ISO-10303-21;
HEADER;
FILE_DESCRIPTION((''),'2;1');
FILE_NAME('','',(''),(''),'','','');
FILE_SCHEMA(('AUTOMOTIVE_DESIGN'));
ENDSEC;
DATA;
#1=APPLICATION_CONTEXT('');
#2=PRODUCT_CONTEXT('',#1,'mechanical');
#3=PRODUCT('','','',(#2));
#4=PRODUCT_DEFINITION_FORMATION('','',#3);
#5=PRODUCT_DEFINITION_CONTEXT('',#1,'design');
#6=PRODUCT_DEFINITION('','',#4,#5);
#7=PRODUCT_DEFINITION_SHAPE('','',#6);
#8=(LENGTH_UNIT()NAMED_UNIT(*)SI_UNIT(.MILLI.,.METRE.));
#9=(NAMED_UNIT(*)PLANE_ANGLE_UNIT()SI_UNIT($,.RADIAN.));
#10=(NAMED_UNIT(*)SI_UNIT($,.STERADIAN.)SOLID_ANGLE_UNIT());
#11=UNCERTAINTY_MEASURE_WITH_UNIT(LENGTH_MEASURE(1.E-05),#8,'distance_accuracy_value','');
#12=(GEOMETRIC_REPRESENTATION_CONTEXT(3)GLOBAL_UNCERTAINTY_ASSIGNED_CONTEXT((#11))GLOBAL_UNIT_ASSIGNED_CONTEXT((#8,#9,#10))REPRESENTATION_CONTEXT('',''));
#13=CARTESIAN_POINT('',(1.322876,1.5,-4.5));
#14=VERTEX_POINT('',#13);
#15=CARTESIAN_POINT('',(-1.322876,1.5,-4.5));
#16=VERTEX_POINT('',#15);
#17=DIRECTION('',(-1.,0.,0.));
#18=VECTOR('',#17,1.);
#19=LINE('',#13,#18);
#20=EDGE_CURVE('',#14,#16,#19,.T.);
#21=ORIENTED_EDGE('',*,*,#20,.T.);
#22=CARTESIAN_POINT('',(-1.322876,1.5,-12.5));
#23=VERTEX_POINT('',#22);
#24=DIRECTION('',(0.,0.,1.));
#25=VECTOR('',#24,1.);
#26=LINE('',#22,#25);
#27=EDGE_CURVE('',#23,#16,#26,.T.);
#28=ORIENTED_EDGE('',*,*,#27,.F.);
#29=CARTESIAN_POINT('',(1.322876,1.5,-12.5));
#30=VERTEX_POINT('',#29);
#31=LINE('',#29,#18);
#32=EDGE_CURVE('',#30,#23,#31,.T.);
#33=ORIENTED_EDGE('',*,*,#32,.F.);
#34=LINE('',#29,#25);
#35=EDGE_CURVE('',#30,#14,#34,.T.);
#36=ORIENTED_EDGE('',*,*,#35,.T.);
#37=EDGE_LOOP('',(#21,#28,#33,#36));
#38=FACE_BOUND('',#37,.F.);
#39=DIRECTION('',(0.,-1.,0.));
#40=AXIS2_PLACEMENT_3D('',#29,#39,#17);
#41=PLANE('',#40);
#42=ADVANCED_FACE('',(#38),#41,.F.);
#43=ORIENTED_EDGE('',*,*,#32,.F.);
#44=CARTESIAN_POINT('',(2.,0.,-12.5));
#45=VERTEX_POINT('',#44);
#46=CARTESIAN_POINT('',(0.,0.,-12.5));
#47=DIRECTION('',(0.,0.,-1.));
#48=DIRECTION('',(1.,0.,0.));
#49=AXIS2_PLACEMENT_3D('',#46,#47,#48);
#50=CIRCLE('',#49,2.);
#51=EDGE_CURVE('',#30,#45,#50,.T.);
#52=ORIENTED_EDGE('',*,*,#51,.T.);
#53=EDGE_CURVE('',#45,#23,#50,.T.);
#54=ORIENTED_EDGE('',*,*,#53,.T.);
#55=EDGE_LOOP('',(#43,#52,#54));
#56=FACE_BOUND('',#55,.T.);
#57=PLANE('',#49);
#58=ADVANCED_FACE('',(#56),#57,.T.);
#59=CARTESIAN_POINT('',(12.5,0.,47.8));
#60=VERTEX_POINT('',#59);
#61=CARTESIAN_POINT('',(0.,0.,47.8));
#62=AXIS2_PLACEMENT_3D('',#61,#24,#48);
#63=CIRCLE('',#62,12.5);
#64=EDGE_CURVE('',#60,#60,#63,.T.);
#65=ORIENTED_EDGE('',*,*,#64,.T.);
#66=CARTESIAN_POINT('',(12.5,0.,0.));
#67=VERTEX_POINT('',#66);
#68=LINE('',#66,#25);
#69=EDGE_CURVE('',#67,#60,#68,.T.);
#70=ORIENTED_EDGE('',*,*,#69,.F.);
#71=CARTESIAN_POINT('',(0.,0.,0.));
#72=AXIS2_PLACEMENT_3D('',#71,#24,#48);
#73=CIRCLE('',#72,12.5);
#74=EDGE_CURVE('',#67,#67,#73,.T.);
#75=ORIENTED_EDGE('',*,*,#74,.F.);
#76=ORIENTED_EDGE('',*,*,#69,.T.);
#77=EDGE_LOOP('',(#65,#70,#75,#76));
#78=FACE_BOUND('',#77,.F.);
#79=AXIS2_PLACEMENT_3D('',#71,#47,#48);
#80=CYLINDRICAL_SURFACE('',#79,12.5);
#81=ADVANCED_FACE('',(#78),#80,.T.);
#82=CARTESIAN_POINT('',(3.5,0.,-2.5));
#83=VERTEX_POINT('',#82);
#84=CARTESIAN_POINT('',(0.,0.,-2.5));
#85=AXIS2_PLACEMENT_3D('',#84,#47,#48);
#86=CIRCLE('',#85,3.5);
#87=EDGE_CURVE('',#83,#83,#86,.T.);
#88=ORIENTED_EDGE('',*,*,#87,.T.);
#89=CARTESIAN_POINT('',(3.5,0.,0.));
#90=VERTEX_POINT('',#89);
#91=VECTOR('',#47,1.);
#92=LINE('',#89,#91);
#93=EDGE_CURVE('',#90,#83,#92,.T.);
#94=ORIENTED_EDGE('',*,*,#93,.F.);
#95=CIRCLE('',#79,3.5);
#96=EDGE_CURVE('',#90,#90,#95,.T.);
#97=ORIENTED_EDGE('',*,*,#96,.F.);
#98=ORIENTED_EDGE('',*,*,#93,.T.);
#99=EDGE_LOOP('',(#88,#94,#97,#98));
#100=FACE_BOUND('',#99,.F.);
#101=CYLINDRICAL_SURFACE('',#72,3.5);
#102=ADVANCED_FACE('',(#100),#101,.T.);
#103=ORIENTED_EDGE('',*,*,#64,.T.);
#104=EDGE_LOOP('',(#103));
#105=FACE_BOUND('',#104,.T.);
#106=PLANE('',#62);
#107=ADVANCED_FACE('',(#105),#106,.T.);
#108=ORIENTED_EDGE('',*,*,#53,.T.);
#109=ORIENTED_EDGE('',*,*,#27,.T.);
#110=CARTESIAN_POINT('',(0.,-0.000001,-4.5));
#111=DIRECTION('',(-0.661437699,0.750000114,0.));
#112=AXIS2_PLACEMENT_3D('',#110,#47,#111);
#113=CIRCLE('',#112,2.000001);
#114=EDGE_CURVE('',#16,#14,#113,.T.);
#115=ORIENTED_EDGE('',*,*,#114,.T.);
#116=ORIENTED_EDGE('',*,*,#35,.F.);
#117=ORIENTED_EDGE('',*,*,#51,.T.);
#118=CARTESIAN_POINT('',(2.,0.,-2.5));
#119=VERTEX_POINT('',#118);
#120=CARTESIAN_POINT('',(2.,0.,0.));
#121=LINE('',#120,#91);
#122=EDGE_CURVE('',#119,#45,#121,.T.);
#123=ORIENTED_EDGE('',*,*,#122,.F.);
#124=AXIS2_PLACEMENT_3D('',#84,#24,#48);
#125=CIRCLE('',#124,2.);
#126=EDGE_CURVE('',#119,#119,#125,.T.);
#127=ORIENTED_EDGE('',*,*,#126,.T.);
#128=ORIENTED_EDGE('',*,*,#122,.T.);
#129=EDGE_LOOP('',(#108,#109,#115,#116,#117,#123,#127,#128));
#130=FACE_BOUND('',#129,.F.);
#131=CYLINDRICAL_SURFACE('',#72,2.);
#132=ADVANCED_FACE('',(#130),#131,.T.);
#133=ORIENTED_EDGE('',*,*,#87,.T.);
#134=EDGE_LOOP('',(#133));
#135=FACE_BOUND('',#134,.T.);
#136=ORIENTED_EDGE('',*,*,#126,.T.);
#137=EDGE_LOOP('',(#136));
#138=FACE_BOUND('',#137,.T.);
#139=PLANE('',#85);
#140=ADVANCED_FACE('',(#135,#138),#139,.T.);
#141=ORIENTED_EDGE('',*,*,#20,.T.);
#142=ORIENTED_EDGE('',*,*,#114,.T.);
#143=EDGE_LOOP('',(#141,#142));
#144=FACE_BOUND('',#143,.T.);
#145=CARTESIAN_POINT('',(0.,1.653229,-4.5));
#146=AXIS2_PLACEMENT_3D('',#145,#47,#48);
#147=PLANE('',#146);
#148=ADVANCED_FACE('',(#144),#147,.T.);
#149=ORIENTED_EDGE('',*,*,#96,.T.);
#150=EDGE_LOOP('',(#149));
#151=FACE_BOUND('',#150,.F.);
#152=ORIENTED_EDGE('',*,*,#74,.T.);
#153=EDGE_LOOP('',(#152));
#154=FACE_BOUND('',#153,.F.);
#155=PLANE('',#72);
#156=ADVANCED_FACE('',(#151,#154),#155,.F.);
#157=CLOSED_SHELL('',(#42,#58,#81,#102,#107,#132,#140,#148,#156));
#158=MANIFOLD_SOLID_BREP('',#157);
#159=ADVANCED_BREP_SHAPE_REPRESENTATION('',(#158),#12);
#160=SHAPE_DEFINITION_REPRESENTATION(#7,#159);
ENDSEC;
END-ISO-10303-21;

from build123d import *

# Parameters (mm, degrees)
F0_R     = 12.5
F1_DEPTH = 47.8
F2_R     = 3.5
F3_DEPTH = 2.5
F4_R     = 2
F5_DEPTH = 12.5
F7_DEPTH = 8


with BuildPart() as f1:
    # F0 (on Top) → F1 (new body)
    with BuildSketch(Plane.XY):
        Circle(F0_R)
    extrude(amount=F1_DEPTH)

    # F2 (on face) → F3 (join)
    with BuildSketch(Plane(origin=(0, 0, 0), x_dir=(1, 0, 0), z_dir=(0, 0, -1))):
        Circle(F2_R)
    extrude(amount=F3_DEPTH)

    # F4 (on face) → F5 (join)
    with BuildSketch(Plane(origin=(0, 0, 0), x_dir=(1, 0, 0), z_dir=(0, 0, -1))):
        Circle(F4_R)
    extrude(amount=F5_DEPTH)

    # F6 (on face) → F7 (cut)
    with BuildSketch(Plane(origin=(0, 0, -12.5), x_dir=(1, 0, 0), z_dir=(0, 0, -1))):
        with BuildLine():
            ThreePointArc((-1.322876, -1.5), (0, -2), (1.322876, -1.5))
            Line((1.322876, -1.5), (-1.322876, -1.5))
        make_face()
    extrude(amount=-F7_DEPTH, mode=Mode.SUBTRACT)


solid = f1.part
